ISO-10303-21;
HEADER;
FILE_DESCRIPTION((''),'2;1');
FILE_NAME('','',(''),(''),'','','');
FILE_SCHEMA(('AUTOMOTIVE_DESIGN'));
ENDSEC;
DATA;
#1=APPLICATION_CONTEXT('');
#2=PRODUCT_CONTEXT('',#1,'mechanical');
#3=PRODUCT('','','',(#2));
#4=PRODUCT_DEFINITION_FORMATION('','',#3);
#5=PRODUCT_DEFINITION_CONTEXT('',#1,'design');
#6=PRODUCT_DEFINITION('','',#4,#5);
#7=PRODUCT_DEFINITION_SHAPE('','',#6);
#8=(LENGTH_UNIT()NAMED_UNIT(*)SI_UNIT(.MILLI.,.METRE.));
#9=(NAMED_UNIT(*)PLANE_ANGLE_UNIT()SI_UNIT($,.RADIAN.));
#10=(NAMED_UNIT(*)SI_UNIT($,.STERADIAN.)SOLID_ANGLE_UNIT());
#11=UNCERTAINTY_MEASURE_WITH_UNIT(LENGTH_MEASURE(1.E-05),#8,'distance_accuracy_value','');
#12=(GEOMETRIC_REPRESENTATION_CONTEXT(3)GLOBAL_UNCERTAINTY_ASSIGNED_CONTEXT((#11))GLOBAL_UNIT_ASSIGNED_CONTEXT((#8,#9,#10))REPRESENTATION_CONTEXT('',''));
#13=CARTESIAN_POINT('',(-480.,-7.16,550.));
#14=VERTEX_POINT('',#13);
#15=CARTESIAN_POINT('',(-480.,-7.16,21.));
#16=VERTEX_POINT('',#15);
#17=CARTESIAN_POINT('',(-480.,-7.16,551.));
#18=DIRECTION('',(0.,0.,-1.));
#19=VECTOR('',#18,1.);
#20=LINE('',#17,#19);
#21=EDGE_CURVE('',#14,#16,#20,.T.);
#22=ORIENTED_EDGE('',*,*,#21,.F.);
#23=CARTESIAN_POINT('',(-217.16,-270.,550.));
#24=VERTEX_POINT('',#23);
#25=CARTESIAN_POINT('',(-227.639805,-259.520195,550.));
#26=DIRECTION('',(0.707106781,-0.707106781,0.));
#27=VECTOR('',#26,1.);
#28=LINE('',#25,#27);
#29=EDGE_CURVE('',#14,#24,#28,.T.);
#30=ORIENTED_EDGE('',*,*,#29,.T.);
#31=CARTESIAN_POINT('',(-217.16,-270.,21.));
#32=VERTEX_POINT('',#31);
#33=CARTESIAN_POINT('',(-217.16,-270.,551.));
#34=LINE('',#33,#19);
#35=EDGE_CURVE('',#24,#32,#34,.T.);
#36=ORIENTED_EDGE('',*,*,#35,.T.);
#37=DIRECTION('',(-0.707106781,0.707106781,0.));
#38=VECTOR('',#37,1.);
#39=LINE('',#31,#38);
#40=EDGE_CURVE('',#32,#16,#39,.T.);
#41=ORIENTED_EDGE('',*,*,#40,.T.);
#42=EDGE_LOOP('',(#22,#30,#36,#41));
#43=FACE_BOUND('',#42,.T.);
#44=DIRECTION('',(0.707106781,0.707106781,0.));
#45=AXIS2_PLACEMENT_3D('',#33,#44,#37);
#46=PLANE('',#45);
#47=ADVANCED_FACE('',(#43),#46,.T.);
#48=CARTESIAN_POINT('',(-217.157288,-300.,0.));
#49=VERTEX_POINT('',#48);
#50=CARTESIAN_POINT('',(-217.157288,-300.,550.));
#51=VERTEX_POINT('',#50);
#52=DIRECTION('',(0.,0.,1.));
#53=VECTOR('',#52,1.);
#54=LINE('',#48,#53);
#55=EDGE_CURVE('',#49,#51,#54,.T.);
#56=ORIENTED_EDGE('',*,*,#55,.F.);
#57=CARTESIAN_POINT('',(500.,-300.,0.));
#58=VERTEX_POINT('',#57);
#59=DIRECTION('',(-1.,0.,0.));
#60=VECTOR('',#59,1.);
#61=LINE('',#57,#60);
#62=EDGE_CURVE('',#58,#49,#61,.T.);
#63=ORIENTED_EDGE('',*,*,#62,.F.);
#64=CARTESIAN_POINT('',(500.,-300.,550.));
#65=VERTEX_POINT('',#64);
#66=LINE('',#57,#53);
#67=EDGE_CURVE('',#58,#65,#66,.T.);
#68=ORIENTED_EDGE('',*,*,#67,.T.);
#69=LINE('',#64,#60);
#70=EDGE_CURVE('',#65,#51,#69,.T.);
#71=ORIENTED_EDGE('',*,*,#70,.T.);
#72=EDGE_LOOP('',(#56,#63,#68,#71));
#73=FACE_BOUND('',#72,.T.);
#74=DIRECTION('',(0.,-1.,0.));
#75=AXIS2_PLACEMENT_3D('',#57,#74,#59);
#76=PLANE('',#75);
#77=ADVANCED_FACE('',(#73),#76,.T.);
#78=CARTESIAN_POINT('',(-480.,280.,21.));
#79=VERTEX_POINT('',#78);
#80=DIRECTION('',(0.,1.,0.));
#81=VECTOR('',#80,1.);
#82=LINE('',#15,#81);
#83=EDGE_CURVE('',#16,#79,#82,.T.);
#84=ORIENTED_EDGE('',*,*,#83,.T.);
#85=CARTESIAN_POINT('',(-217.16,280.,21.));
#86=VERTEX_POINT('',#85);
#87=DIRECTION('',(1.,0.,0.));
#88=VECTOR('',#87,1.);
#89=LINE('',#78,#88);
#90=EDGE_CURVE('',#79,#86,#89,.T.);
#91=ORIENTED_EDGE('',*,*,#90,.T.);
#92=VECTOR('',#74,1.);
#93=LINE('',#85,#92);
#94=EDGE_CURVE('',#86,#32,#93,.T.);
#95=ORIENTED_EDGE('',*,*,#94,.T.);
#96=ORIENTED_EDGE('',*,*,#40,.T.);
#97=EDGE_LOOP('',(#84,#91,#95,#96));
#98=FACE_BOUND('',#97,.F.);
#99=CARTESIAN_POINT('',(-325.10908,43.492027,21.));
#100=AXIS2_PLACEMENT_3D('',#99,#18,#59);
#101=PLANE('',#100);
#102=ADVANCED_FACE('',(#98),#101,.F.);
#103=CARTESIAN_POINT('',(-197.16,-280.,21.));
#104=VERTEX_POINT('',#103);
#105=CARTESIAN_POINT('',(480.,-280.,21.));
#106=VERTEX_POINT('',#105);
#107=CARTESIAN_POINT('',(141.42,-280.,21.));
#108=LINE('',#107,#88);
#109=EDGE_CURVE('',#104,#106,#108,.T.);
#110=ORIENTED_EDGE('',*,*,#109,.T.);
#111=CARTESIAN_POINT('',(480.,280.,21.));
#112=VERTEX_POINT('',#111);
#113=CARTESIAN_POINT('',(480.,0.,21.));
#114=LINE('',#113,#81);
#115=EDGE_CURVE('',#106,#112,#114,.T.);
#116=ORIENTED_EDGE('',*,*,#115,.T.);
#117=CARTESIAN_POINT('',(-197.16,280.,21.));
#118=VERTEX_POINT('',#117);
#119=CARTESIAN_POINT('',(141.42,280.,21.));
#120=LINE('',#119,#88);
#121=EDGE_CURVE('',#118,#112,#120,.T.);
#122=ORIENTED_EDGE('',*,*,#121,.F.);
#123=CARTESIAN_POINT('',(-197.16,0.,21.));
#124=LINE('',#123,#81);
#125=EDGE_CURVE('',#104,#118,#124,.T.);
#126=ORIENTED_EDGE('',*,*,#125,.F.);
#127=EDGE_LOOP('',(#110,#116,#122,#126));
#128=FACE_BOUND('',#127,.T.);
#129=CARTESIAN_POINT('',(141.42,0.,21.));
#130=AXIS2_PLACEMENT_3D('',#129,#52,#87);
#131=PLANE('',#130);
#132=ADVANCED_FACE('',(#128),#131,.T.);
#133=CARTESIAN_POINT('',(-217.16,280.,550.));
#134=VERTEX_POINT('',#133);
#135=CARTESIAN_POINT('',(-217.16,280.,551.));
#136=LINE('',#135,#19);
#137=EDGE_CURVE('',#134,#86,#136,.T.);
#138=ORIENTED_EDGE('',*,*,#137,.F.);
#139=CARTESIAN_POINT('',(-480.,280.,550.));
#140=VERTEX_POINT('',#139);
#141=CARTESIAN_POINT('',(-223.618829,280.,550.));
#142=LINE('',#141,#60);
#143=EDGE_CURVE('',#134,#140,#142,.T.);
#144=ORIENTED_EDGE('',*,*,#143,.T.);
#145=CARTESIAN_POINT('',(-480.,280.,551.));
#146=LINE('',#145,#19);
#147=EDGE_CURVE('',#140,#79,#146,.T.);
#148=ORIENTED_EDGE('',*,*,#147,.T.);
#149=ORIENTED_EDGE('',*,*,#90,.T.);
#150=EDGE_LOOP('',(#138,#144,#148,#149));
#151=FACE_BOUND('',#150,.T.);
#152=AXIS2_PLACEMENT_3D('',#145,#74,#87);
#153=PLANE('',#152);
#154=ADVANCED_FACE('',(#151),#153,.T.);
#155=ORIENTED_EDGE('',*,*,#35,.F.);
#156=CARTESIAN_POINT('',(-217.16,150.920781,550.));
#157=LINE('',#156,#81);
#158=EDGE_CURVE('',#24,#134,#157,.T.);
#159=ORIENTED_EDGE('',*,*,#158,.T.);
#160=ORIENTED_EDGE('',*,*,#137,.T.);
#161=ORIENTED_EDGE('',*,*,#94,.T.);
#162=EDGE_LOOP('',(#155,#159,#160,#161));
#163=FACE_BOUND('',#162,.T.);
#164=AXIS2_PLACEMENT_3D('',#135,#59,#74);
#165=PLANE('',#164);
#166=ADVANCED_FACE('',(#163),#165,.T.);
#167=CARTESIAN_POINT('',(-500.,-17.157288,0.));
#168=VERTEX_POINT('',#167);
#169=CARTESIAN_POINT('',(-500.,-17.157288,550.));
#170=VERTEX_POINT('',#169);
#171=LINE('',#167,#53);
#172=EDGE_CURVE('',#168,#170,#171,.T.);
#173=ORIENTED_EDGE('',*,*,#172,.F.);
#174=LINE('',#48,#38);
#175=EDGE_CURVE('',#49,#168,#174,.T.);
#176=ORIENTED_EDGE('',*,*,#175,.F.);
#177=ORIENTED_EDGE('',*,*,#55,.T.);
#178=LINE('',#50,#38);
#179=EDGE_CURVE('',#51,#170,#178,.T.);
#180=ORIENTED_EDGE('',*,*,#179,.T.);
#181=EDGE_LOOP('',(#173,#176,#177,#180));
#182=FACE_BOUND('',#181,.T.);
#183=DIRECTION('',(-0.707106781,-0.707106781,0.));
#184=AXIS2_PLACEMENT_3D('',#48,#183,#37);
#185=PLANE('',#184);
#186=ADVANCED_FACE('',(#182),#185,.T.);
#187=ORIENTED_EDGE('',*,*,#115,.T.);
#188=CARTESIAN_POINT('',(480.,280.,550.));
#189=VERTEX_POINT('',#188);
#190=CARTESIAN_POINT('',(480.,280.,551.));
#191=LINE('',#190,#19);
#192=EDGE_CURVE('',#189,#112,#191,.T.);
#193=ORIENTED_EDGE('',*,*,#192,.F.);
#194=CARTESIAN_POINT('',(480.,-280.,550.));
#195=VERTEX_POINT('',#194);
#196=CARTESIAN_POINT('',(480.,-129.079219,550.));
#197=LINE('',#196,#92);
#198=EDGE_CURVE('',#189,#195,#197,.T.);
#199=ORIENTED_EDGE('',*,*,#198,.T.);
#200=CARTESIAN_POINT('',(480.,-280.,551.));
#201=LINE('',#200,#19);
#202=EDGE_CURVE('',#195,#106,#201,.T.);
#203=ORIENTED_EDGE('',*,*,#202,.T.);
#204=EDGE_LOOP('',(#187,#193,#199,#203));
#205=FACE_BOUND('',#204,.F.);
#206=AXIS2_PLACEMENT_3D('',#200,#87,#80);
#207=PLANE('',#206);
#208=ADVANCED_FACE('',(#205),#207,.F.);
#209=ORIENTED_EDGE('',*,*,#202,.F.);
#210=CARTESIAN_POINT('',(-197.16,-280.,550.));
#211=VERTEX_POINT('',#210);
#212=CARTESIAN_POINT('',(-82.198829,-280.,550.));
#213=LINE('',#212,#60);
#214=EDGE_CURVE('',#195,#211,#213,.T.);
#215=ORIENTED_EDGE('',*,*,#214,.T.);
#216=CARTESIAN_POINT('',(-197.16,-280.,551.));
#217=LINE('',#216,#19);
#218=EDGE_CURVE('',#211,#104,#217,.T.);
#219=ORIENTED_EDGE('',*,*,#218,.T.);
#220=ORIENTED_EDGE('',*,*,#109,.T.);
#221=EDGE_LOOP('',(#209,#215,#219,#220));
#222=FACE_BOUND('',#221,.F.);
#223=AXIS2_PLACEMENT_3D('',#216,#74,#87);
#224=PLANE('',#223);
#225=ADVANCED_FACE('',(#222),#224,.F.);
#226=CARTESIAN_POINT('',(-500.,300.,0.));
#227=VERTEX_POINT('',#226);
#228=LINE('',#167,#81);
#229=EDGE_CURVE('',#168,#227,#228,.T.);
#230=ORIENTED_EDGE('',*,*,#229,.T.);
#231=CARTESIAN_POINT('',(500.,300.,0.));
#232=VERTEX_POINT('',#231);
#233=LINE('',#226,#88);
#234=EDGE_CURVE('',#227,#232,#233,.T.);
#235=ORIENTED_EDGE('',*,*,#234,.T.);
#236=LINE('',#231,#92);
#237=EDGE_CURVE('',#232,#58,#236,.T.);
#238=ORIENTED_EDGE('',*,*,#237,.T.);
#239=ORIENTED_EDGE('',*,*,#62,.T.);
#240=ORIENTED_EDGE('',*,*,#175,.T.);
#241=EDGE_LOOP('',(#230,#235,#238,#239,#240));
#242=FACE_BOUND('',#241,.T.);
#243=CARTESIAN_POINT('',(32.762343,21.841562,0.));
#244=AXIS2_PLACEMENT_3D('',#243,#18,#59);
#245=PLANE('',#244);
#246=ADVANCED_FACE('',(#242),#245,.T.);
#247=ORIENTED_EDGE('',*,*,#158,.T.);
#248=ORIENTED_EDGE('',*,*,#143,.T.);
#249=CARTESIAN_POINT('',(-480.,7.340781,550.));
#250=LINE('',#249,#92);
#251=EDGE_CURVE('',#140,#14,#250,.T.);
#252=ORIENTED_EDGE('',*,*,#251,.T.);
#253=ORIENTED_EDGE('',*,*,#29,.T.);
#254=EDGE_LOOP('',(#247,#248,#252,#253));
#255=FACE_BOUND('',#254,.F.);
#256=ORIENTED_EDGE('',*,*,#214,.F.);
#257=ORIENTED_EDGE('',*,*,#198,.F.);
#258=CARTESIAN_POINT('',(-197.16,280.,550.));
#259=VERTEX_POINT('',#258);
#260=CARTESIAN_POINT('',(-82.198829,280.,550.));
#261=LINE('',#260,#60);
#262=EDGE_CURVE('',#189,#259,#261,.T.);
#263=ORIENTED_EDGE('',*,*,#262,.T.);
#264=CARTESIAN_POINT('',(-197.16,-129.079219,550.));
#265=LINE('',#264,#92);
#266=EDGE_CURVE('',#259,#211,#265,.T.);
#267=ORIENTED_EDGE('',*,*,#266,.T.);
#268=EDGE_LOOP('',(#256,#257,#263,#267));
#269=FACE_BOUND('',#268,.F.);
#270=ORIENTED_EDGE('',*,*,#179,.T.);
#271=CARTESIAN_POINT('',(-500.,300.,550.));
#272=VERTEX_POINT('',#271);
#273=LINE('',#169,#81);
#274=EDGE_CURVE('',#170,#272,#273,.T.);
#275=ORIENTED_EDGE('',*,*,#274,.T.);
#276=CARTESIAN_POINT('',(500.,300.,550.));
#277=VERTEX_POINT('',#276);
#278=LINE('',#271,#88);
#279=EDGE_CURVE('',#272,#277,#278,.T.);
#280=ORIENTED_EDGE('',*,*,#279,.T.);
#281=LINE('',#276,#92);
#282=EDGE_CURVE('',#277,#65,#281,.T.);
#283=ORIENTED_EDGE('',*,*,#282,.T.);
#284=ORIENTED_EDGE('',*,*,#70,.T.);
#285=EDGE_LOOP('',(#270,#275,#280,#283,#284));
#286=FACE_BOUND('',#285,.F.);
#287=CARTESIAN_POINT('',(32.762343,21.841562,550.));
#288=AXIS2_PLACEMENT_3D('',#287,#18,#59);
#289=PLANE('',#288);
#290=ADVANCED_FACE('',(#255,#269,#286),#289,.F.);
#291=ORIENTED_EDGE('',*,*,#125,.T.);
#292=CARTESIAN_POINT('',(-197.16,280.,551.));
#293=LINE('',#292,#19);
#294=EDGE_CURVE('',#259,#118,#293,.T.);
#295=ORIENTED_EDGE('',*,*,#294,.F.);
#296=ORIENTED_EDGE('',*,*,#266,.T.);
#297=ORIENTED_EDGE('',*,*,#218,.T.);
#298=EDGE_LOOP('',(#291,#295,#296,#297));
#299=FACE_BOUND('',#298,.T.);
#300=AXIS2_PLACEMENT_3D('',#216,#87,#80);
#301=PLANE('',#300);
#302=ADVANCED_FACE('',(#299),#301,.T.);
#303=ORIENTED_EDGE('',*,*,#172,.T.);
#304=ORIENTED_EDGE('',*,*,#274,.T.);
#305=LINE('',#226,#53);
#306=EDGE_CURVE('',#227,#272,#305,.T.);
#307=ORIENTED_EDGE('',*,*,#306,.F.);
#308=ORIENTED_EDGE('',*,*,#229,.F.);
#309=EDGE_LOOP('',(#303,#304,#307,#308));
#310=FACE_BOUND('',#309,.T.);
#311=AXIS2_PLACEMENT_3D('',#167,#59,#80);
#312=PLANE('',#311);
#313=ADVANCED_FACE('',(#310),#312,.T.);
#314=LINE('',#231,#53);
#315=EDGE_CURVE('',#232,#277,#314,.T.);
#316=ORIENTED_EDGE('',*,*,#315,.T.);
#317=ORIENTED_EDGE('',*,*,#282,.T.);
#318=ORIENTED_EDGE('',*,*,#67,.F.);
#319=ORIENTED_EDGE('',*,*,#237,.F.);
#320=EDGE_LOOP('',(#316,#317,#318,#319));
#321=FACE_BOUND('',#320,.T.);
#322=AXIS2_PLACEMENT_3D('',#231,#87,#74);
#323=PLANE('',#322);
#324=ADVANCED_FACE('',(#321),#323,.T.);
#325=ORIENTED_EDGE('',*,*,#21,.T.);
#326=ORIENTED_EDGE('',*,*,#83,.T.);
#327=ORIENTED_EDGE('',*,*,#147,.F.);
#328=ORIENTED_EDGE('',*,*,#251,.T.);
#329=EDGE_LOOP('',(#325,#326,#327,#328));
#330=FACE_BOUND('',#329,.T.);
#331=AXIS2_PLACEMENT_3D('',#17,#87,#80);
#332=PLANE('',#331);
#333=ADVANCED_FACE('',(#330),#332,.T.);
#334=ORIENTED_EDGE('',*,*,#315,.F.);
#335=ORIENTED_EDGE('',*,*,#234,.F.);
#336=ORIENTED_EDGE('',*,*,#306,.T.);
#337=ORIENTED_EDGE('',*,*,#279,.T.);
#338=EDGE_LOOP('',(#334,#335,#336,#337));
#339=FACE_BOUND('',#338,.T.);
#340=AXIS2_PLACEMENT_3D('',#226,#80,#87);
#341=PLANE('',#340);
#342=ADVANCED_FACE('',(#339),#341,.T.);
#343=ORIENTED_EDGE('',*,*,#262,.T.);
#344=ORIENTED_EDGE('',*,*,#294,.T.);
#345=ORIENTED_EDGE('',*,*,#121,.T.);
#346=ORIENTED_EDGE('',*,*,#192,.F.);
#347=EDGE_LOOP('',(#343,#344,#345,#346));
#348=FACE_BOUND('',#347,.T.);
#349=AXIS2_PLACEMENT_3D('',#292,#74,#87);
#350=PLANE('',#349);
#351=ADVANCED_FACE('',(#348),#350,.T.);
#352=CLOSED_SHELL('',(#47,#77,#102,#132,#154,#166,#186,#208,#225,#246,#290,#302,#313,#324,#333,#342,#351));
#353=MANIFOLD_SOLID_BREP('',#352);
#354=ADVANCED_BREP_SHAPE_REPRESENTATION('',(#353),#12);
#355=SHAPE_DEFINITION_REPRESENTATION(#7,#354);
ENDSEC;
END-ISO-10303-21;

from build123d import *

# Parameters (mm, degrees)
PAD_DEPTH    = 550
SKETCH001_W  = 677.16
SKETCH001_H  = 560
POCKET_DEPTH = 530


with BuildPart() as part:
    # Sketch → Pad (new body)
    with BuildSketch(Plane.XY):
        Polygon((-500, 300), (500, 300), (500, -300), (-217.157288, -300), (-500, -17.157288), align=None)
    extrude(amount=PAD_DEPTH)

    # Sketch001 → Pocket (cut)
    with BuildSketch(Plane.XY.offset(551)):
        with Locations((141.42, 0)):
            Rectangle(SKETCH001_W, SKETCH001_H)
        Polygon((-480, 280), (-217.16, 280), (-217.16, -270), (-480, -7.16), align=None)
    extrude(amount=-POCKET_DEPTH, mode=Mode.SUBTRACT)


solid = part.part
